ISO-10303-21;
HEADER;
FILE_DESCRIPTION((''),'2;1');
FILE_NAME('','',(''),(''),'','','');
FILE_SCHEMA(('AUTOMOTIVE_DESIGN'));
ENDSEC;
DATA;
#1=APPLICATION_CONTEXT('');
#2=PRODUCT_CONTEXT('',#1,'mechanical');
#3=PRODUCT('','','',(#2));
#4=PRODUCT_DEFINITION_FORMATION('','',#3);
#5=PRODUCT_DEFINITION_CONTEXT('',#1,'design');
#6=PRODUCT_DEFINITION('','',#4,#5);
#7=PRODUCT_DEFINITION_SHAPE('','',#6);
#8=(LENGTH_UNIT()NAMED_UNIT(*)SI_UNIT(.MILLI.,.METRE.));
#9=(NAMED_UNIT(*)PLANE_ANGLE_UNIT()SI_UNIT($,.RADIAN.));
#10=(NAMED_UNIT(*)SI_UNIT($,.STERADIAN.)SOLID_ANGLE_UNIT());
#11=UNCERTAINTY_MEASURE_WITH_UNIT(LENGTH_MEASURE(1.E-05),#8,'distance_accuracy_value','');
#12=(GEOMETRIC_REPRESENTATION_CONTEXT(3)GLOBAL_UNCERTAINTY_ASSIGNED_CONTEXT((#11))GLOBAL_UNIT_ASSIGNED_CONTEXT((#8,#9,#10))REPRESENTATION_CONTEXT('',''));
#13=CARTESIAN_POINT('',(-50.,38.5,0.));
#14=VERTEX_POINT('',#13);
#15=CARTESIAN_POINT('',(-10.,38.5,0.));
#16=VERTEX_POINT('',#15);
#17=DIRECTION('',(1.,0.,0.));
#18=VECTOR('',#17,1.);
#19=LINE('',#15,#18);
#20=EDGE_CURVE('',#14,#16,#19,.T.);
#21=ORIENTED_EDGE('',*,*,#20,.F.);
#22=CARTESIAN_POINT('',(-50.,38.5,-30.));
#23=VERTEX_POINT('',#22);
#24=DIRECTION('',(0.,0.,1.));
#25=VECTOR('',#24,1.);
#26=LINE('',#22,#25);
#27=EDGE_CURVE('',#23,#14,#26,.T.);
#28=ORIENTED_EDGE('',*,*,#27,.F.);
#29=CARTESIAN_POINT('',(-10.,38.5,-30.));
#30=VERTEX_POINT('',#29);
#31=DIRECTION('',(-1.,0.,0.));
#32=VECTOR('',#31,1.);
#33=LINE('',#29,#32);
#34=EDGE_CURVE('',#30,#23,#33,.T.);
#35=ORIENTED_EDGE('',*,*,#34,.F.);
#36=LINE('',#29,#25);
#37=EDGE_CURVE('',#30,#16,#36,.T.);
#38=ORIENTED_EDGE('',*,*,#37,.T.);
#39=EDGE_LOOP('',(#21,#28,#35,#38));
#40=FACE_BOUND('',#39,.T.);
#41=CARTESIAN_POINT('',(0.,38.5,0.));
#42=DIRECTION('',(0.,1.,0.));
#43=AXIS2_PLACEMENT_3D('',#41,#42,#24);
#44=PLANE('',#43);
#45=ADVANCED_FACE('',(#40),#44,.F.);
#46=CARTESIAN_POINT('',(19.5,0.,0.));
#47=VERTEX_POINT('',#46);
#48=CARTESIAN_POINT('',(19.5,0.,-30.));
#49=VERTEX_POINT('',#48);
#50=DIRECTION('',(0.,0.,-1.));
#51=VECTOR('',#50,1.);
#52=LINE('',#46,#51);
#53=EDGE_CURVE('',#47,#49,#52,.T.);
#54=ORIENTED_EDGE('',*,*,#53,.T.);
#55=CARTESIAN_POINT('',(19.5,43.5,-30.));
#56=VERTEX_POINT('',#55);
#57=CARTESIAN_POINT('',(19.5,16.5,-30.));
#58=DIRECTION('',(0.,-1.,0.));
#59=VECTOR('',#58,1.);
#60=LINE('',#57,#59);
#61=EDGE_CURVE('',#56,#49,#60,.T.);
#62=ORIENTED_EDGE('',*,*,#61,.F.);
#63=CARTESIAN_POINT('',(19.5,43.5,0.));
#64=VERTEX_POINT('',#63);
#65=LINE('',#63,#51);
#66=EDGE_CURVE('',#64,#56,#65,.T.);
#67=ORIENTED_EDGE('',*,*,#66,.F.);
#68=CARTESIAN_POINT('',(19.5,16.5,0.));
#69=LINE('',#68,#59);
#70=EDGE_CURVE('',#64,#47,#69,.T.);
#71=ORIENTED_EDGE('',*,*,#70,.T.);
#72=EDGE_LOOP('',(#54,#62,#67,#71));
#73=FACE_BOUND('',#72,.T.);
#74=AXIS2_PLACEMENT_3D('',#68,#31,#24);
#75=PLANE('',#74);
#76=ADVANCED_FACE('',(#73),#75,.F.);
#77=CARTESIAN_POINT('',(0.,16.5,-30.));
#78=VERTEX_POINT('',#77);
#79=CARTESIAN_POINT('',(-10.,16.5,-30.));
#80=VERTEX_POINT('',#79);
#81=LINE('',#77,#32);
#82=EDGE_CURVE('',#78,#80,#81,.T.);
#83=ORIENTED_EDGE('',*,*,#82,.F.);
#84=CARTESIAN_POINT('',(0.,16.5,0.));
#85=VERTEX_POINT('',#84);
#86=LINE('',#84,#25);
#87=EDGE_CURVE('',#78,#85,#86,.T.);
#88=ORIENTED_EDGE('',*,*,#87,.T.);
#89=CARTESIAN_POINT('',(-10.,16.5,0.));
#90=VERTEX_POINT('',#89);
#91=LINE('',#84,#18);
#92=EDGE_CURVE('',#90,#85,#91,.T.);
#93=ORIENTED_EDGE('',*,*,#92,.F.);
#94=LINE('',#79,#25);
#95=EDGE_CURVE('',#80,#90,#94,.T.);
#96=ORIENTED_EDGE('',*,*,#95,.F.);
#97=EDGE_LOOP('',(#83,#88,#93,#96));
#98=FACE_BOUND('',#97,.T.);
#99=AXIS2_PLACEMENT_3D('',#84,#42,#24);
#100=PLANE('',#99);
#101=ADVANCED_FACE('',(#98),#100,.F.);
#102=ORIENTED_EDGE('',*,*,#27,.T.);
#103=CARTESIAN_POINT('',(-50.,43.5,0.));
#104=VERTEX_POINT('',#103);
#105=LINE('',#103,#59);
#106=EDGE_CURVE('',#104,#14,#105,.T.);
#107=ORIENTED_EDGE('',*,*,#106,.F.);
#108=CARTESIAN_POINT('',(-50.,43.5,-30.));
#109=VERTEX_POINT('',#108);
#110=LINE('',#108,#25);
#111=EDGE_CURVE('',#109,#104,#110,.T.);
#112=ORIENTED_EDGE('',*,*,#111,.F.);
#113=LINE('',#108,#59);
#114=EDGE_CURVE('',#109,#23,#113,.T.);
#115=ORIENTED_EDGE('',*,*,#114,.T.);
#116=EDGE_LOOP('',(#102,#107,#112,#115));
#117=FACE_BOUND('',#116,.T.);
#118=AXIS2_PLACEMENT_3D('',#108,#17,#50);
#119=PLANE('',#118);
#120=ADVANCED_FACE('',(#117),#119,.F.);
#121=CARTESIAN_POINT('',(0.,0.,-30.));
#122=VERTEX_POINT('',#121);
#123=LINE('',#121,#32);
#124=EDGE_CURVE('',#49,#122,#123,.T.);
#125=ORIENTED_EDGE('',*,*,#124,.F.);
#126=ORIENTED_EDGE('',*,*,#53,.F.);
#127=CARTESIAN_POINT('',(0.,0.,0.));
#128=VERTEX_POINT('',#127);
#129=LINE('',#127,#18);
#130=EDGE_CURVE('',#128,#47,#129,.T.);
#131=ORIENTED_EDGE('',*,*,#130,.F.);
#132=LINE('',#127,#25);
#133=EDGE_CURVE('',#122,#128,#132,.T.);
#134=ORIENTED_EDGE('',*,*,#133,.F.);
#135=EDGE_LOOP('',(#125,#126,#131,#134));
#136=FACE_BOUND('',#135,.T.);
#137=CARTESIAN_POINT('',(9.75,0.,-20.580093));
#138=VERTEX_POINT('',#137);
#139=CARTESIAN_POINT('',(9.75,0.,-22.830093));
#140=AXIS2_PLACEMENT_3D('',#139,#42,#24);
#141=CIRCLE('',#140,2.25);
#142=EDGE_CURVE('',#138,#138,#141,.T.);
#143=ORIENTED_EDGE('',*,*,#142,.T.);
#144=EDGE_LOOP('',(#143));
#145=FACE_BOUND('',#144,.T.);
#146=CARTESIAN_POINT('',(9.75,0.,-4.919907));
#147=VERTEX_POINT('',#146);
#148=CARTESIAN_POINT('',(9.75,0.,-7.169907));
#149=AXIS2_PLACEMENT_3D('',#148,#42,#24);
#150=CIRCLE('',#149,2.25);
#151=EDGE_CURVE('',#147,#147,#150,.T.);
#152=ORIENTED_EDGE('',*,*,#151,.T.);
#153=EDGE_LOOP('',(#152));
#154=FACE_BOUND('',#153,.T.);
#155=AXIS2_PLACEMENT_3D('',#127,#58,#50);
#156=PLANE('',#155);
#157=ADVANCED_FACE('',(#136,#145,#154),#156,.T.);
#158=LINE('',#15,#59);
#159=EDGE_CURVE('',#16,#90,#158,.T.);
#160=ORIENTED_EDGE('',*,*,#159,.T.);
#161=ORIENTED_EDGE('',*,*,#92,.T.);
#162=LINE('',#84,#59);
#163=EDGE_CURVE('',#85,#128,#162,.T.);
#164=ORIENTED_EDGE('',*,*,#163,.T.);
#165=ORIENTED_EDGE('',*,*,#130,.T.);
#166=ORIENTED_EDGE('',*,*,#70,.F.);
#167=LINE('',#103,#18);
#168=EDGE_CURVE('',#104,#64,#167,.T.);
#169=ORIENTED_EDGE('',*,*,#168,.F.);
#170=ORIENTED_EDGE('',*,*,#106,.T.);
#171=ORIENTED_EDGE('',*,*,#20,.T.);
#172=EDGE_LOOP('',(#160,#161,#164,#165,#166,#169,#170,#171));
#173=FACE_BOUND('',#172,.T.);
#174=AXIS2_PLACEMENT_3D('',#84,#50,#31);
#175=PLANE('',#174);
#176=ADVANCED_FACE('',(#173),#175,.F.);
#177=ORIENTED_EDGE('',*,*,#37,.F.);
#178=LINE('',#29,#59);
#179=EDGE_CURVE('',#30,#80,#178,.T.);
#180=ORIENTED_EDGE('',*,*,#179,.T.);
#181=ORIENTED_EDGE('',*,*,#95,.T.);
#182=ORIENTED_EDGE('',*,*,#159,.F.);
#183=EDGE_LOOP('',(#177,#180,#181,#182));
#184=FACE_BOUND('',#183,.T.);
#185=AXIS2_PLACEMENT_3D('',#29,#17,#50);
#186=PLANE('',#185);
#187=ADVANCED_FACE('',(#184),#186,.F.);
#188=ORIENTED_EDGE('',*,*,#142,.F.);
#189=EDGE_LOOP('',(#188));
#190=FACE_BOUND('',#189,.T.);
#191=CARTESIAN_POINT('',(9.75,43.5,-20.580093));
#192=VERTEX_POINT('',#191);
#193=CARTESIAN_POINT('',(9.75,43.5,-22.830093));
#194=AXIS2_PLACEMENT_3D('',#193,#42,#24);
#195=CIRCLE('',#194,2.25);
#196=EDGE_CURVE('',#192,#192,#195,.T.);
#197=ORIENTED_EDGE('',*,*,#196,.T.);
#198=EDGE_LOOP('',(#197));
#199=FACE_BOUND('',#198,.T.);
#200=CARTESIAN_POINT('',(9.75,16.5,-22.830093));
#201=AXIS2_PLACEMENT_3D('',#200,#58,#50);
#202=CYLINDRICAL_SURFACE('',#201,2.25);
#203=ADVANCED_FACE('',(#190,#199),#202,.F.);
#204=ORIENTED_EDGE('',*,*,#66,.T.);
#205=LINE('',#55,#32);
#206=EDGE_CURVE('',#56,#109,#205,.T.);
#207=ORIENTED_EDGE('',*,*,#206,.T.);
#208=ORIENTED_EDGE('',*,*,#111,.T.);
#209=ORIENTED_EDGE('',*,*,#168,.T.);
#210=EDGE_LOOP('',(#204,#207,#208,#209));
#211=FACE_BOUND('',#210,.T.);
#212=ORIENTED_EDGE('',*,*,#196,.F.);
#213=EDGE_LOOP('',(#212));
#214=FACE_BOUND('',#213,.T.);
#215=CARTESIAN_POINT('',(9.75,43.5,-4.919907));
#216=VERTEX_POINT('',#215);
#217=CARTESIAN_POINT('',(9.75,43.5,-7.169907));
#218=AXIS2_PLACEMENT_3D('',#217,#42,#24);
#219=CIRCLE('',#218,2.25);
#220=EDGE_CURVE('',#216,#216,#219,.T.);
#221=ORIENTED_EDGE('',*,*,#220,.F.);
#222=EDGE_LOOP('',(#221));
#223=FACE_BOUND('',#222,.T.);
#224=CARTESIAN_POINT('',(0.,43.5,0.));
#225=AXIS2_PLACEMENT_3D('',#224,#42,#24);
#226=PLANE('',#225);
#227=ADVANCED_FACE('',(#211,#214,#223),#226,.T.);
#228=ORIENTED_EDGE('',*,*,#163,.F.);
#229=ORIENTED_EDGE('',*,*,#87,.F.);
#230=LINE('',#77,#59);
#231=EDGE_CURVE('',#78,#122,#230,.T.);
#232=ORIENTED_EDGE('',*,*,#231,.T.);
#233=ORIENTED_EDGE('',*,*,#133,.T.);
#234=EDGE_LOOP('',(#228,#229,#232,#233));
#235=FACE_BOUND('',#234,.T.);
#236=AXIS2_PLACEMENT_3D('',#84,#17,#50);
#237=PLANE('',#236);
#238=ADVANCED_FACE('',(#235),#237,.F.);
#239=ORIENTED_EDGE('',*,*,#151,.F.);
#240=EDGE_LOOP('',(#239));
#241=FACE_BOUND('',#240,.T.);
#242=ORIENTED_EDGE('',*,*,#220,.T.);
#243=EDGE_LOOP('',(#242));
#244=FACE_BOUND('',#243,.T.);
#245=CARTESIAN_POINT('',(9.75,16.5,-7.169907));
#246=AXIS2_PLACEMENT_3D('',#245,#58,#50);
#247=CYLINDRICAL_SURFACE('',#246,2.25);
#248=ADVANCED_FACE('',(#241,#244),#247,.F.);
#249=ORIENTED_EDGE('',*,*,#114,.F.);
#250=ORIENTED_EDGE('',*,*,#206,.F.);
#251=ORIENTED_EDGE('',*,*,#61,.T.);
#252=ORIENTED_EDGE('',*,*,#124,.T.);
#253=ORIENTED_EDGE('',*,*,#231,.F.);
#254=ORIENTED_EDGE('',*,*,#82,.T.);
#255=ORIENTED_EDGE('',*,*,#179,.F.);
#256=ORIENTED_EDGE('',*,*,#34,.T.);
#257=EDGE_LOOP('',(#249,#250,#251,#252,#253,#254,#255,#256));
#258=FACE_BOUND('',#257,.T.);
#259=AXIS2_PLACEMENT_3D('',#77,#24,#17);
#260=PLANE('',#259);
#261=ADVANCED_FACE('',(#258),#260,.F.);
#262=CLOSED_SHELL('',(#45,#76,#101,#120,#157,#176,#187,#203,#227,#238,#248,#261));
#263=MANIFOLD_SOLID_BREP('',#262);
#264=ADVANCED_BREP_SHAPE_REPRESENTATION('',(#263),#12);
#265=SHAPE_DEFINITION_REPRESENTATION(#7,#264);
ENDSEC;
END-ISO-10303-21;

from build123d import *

# Parameters (mm, degrees)
SKETCH1_W           = 19.5
SKETCH1_H           = 30
SKETCH1_R           = 2.25
BOSS_EXTRUDE1_DEPTH = 16.5
SKETCH2_R           = 2.25
BOSS_EXTRUDE2_DEPTH = 22
SKETCH3_R           = 2.25
BOSS_EXTRUDE3_DEPTH = 5


with BuildPart() as part:
    # Sketch1 → Boss-Extrude1 (new body)
    with BuildSketch(Plane(origin=(0, 0, 0), x_dir=(1, 0, 0), z_dir=(0, 1, 0))):
        with Locations((9.75, 15)):
            Rectangle(SKETCH1_W, SKETCH1_H)
        with Locations(Location((9.75, 22.830092663, 0), (0, 0, 270))):
            Circle(SKETCH1_R, mode=Mode.SUBTRACT)
        with Locations(Location((9.75, 7.169907337, 0), (0, 0, 270))):
            Circle(SKETCH1_R, mode=Mode.SUBTRACT)
    extrude(amount=BOSS_EXTRUDE1_DEPTH)

    # Sketch2 → Boss-Extrude2 (add)
    with BuildSketch(Plane(origin=(0, 16.5, 0), x_dir=(1, 0, 0), z_dir=(0, 1, 0))):
        Polygon((0, 30), (-10, 30), (-10, 0), (0, 0), (19.5, 0), (19.5, 30), align=None)
        with Locations(Location((9.75, 22.830092663, 0), (0, 0, 270))):
            Circle(SKETCH2_R, mode=Mode.SUBTRACT)
        with Locations(Location((9.75, 7.169907337, 0), (0, 0, 270))):
            Circle(SKETCH2_R, mode=Mode.SUBTRACT)
    extrude(amount=BOSS_EXTRUDE2_DEPTH)

    # Sketch3 → Boss-Extrude3 (add)
    with BuildSketch(Plane(origin=(0, 38.5, 0), x_dir=(1, 0, 0), z_dir=(0, 1, 0))):
        Polygon((-10, 30), (-50, 30), (-50, 0), (-10, 0), (19.5, 0), (19.5, 30), align=None)
        with Locations(Location((9.75, 22.830092663, 0), (0, 0, 270))):
            Circle(SKETCH3_R, mode=Mode.SUBTRACT)
        with Locations(Location((9.75, 7.169907337, 0), (0, 0, 270))):
            Circle(SKETCH3_R, mode=Mode.SUBTRACT)
    extrude(amount=BOSS_EXTRUDE3_DEPTH)


solid = part.part
